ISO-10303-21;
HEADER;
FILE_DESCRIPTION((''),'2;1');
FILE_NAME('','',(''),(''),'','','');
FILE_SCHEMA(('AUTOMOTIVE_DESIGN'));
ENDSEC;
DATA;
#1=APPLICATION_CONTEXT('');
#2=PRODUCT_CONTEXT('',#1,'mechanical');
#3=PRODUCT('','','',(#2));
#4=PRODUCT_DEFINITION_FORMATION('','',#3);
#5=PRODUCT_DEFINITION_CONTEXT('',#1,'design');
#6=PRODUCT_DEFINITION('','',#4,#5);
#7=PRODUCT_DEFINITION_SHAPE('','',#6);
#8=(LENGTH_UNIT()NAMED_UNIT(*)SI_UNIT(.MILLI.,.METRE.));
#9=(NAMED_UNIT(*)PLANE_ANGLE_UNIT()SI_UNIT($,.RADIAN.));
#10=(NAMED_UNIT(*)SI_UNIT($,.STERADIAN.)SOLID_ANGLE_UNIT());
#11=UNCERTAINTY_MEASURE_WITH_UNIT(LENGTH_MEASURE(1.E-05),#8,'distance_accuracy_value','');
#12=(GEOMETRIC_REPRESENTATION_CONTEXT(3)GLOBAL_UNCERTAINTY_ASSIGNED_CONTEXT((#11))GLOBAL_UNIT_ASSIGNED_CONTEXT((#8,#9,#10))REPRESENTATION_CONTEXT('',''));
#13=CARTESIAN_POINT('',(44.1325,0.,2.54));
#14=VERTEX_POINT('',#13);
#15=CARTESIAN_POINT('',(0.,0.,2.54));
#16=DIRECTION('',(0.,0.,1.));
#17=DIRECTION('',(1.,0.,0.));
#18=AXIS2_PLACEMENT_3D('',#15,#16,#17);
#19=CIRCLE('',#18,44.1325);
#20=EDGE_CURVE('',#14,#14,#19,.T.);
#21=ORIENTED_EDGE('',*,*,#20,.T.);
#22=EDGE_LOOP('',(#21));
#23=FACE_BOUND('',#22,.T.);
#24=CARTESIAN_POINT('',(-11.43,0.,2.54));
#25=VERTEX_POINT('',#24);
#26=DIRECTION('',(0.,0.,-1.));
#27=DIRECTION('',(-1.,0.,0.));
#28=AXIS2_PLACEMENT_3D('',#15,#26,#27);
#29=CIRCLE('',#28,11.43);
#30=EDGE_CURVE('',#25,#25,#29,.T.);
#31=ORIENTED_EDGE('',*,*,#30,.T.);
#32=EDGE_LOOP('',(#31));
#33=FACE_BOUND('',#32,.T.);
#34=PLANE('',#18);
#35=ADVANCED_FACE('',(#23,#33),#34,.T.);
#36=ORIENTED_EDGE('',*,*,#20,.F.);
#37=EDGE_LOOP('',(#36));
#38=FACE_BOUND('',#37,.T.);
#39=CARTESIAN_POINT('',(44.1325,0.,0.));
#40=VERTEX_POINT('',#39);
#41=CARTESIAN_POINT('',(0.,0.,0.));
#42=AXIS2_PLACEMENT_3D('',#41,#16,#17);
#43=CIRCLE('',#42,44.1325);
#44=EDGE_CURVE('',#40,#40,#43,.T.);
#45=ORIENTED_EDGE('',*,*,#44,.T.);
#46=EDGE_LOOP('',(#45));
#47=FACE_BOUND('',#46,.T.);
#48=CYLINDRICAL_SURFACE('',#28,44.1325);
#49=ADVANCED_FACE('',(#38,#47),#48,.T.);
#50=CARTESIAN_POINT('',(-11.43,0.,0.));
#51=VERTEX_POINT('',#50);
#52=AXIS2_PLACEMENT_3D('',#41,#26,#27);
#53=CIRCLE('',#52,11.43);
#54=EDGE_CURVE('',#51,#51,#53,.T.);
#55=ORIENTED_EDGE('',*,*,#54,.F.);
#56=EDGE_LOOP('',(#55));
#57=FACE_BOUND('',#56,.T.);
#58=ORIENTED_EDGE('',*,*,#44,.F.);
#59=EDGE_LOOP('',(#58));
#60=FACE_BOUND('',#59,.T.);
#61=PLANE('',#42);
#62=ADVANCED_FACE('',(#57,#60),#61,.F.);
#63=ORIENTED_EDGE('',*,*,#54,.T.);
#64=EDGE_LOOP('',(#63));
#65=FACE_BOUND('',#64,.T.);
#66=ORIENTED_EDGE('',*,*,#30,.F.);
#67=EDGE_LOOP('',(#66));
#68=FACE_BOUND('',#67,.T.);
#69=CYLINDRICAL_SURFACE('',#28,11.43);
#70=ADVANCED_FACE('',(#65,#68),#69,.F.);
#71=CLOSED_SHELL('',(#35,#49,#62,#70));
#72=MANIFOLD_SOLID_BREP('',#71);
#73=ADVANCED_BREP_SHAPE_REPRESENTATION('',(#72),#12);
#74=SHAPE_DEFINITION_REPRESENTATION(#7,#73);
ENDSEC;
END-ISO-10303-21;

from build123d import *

# Parameters (mm, degrees)
SKETCH2_R           = 44.1325
BOSS_EXTRUDE1_DEPTH = 2.54
SKETCH3_R           = 11.43
CUT_EXTRUDE1_DEPTH  = 2.54


with BuildPart() as part:
    # Sketch2 → Boss-Extrude1 (new body)
    with BuildSketch(Plane.XY):
        Circle(SKETCH2_R)
    extrude(amount=BOSS_EXTRUDE1_DEPTH)

    # Sketch3 → Cut-Extrude1 (cut)
    with BuildSketch(Plane(origin=(0, 0, 0), x_dir=(-1, 0, 0), z_dir=(0, 0, -1))):
        Circle(SKETCH3_R)
    extrude(amount=-CUT_EXTRUDE1_DEPTH, mode=Mode.SUBTRACT)


solid = part.part
